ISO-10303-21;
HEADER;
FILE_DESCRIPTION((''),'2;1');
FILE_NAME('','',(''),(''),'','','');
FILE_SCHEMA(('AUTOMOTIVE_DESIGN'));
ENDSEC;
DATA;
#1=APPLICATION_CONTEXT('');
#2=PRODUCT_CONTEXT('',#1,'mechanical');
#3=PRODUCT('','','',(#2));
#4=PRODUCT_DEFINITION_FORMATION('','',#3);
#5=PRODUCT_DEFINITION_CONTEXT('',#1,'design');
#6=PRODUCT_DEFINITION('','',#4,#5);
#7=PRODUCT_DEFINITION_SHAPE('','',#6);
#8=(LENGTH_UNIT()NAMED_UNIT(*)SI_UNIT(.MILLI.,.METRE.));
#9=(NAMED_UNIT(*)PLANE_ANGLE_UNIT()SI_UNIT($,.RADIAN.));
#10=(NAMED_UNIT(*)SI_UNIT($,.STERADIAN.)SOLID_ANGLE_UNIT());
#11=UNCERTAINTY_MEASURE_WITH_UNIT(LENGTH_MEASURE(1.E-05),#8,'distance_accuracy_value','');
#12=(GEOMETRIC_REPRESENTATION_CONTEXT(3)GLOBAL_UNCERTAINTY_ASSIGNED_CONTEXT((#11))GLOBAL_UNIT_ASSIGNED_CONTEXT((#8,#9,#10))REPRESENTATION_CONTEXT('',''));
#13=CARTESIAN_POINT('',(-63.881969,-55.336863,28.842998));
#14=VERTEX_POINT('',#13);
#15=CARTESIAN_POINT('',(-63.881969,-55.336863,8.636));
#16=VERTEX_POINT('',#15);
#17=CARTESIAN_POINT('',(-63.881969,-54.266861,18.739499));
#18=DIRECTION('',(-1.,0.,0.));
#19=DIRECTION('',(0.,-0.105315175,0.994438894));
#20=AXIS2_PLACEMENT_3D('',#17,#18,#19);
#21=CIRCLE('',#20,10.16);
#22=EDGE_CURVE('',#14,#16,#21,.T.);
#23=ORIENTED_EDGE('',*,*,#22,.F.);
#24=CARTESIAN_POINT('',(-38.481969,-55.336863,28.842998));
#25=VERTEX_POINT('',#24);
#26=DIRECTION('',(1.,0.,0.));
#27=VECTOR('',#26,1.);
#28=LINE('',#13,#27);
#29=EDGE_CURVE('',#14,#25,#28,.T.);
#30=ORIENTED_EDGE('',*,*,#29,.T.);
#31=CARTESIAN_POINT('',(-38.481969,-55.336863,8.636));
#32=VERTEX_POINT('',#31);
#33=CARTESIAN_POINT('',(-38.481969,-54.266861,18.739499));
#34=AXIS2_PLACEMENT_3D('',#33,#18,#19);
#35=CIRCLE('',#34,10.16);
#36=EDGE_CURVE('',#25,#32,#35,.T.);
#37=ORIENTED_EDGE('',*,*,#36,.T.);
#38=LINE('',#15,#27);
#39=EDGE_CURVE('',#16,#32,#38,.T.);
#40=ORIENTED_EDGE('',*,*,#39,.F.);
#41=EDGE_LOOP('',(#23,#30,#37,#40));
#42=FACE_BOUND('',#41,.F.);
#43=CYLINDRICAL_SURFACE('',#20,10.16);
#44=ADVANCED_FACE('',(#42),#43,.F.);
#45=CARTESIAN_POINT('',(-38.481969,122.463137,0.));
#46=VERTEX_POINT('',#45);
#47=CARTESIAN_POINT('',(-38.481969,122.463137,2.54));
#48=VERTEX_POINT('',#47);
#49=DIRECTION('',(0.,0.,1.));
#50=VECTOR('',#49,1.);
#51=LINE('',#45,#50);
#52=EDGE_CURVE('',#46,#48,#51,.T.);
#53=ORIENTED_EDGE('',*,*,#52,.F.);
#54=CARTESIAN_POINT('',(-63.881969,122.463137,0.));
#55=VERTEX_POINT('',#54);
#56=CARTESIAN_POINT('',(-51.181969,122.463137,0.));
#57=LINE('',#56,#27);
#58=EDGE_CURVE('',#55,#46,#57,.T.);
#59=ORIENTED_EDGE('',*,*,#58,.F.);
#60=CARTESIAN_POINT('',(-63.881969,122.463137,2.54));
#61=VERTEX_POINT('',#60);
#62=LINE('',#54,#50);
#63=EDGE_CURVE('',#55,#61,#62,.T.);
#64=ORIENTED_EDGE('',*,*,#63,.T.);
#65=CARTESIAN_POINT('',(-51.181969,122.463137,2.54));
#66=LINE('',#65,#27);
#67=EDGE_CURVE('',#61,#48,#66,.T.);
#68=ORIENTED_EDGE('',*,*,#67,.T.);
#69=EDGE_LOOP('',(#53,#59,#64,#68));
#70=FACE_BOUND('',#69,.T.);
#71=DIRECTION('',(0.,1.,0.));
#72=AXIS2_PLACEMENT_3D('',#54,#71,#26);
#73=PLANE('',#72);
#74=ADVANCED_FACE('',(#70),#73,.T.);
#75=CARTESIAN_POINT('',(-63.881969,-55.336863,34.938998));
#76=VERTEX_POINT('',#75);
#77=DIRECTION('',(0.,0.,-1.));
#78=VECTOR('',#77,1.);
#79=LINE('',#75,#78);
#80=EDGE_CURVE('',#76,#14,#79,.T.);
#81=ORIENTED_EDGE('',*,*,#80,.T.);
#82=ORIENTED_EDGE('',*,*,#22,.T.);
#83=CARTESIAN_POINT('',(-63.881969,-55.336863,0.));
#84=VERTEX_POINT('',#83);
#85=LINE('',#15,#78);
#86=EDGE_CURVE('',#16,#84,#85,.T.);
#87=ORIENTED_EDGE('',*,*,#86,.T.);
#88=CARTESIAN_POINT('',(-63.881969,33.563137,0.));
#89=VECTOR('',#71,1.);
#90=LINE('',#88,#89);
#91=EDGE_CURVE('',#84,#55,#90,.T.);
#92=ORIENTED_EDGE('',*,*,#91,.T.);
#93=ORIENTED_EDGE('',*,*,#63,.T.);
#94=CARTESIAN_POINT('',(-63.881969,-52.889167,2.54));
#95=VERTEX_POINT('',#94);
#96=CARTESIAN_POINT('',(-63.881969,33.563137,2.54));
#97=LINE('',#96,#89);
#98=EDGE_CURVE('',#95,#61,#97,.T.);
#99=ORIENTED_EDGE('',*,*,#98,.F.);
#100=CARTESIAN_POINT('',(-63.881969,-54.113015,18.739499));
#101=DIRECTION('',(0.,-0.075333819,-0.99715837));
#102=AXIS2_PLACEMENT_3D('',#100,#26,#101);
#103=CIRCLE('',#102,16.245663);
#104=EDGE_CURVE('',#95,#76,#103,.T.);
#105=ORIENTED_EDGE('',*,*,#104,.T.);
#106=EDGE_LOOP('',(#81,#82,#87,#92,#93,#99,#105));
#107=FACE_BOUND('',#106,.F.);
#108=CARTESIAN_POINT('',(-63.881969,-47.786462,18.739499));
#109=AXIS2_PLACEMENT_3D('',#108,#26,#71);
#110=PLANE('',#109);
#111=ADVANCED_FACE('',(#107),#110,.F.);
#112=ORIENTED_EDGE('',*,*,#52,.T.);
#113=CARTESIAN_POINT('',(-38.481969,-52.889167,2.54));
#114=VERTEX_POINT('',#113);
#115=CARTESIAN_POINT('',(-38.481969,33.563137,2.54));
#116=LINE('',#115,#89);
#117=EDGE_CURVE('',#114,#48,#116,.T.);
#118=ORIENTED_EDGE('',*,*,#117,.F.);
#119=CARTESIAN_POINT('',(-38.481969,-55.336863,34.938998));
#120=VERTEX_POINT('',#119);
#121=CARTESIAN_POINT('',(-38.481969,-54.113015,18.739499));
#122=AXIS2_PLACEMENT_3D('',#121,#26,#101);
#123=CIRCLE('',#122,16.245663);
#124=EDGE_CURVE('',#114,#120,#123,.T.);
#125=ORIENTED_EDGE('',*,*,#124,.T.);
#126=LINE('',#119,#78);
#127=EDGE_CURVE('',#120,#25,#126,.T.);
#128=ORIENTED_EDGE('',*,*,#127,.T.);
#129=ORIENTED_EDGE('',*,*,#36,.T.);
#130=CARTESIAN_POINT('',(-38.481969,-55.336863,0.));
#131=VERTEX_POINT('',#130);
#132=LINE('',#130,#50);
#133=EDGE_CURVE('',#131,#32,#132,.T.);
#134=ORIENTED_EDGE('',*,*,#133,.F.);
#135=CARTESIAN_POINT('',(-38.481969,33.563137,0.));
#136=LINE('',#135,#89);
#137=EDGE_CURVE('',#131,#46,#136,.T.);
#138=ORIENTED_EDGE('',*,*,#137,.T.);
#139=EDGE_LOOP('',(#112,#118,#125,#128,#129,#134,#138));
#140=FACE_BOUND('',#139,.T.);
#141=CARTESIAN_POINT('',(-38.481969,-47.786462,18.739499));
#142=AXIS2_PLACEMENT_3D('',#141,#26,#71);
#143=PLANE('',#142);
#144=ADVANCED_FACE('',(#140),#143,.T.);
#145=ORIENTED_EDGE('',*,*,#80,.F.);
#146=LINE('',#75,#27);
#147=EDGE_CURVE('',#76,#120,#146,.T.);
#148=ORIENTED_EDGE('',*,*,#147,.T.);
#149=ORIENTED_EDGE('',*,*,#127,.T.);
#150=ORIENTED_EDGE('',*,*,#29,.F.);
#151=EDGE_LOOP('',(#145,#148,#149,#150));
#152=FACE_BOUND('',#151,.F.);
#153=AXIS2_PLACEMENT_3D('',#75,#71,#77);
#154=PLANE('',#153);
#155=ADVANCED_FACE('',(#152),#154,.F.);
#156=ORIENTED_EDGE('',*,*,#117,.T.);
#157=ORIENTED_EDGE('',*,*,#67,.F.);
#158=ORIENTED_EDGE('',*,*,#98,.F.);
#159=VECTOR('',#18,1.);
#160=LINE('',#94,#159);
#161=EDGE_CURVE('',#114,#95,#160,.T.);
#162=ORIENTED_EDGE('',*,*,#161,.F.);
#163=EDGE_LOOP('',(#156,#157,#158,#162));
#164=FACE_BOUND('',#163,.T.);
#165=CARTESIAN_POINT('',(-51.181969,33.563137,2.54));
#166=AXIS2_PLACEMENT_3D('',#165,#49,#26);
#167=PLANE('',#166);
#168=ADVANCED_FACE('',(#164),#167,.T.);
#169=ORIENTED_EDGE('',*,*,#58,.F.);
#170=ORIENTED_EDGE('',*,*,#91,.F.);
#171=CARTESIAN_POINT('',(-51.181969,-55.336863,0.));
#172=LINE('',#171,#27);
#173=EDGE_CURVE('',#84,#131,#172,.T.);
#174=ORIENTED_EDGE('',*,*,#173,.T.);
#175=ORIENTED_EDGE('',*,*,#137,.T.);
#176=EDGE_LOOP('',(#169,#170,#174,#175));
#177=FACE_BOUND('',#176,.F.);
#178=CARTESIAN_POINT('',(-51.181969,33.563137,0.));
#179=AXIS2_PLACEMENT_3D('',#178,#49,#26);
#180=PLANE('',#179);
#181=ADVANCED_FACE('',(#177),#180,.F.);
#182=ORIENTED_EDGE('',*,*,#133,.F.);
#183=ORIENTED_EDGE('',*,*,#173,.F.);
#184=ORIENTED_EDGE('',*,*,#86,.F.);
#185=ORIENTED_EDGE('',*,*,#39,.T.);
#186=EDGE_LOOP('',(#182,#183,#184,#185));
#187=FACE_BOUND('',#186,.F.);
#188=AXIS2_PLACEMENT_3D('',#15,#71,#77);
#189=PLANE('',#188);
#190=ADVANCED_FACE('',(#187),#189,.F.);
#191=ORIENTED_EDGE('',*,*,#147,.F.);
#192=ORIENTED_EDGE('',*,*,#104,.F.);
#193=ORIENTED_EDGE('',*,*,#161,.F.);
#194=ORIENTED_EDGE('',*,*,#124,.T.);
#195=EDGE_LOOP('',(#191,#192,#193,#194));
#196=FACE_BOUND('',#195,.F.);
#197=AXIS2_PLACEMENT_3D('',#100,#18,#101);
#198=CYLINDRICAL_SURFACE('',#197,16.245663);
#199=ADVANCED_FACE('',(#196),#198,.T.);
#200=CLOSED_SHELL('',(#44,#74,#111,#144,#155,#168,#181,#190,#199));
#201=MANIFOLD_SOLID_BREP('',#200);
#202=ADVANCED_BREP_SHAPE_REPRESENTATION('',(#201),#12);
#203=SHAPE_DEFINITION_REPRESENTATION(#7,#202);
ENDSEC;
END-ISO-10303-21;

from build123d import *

# Parameters (mm, degrees)
F0_W     = 25.4
F0_H     = 177.8
F1_DEPTH = 2.54
F4_DEPTH = 25.4


with BuildPart() as f1:
    # F0 (on Top) → F1 (new body)
    with BuildSketch(Plane.XY):
        with Locations((-51.181969, 33.563137)):
            Rectangle(F0_W, F0_H)
    extrude(amount=F1_DEPTH)

    # F3 (on face) → F4 (join)
    with BuildSketch(Plane.YZ.offset(-63.881969)):
        with BuildLine():
            Line((-55.336863, 8.636), (-55.336863, 2.54))
            ThreePointArc((-55.336863, 2.54), (-37.867352, 18.739499), (-55.336863, 34.938998))
            Line((-55.336863, 34.938998), (-55.336863, 28.842998))
            ThreePointArc((-55.336863, 28.842998), (-44.106861, 18.739499), (-55.336863, 8.636))
        make_face()
    extrude(amount=F4_DEPTH)


solid = f1.part
